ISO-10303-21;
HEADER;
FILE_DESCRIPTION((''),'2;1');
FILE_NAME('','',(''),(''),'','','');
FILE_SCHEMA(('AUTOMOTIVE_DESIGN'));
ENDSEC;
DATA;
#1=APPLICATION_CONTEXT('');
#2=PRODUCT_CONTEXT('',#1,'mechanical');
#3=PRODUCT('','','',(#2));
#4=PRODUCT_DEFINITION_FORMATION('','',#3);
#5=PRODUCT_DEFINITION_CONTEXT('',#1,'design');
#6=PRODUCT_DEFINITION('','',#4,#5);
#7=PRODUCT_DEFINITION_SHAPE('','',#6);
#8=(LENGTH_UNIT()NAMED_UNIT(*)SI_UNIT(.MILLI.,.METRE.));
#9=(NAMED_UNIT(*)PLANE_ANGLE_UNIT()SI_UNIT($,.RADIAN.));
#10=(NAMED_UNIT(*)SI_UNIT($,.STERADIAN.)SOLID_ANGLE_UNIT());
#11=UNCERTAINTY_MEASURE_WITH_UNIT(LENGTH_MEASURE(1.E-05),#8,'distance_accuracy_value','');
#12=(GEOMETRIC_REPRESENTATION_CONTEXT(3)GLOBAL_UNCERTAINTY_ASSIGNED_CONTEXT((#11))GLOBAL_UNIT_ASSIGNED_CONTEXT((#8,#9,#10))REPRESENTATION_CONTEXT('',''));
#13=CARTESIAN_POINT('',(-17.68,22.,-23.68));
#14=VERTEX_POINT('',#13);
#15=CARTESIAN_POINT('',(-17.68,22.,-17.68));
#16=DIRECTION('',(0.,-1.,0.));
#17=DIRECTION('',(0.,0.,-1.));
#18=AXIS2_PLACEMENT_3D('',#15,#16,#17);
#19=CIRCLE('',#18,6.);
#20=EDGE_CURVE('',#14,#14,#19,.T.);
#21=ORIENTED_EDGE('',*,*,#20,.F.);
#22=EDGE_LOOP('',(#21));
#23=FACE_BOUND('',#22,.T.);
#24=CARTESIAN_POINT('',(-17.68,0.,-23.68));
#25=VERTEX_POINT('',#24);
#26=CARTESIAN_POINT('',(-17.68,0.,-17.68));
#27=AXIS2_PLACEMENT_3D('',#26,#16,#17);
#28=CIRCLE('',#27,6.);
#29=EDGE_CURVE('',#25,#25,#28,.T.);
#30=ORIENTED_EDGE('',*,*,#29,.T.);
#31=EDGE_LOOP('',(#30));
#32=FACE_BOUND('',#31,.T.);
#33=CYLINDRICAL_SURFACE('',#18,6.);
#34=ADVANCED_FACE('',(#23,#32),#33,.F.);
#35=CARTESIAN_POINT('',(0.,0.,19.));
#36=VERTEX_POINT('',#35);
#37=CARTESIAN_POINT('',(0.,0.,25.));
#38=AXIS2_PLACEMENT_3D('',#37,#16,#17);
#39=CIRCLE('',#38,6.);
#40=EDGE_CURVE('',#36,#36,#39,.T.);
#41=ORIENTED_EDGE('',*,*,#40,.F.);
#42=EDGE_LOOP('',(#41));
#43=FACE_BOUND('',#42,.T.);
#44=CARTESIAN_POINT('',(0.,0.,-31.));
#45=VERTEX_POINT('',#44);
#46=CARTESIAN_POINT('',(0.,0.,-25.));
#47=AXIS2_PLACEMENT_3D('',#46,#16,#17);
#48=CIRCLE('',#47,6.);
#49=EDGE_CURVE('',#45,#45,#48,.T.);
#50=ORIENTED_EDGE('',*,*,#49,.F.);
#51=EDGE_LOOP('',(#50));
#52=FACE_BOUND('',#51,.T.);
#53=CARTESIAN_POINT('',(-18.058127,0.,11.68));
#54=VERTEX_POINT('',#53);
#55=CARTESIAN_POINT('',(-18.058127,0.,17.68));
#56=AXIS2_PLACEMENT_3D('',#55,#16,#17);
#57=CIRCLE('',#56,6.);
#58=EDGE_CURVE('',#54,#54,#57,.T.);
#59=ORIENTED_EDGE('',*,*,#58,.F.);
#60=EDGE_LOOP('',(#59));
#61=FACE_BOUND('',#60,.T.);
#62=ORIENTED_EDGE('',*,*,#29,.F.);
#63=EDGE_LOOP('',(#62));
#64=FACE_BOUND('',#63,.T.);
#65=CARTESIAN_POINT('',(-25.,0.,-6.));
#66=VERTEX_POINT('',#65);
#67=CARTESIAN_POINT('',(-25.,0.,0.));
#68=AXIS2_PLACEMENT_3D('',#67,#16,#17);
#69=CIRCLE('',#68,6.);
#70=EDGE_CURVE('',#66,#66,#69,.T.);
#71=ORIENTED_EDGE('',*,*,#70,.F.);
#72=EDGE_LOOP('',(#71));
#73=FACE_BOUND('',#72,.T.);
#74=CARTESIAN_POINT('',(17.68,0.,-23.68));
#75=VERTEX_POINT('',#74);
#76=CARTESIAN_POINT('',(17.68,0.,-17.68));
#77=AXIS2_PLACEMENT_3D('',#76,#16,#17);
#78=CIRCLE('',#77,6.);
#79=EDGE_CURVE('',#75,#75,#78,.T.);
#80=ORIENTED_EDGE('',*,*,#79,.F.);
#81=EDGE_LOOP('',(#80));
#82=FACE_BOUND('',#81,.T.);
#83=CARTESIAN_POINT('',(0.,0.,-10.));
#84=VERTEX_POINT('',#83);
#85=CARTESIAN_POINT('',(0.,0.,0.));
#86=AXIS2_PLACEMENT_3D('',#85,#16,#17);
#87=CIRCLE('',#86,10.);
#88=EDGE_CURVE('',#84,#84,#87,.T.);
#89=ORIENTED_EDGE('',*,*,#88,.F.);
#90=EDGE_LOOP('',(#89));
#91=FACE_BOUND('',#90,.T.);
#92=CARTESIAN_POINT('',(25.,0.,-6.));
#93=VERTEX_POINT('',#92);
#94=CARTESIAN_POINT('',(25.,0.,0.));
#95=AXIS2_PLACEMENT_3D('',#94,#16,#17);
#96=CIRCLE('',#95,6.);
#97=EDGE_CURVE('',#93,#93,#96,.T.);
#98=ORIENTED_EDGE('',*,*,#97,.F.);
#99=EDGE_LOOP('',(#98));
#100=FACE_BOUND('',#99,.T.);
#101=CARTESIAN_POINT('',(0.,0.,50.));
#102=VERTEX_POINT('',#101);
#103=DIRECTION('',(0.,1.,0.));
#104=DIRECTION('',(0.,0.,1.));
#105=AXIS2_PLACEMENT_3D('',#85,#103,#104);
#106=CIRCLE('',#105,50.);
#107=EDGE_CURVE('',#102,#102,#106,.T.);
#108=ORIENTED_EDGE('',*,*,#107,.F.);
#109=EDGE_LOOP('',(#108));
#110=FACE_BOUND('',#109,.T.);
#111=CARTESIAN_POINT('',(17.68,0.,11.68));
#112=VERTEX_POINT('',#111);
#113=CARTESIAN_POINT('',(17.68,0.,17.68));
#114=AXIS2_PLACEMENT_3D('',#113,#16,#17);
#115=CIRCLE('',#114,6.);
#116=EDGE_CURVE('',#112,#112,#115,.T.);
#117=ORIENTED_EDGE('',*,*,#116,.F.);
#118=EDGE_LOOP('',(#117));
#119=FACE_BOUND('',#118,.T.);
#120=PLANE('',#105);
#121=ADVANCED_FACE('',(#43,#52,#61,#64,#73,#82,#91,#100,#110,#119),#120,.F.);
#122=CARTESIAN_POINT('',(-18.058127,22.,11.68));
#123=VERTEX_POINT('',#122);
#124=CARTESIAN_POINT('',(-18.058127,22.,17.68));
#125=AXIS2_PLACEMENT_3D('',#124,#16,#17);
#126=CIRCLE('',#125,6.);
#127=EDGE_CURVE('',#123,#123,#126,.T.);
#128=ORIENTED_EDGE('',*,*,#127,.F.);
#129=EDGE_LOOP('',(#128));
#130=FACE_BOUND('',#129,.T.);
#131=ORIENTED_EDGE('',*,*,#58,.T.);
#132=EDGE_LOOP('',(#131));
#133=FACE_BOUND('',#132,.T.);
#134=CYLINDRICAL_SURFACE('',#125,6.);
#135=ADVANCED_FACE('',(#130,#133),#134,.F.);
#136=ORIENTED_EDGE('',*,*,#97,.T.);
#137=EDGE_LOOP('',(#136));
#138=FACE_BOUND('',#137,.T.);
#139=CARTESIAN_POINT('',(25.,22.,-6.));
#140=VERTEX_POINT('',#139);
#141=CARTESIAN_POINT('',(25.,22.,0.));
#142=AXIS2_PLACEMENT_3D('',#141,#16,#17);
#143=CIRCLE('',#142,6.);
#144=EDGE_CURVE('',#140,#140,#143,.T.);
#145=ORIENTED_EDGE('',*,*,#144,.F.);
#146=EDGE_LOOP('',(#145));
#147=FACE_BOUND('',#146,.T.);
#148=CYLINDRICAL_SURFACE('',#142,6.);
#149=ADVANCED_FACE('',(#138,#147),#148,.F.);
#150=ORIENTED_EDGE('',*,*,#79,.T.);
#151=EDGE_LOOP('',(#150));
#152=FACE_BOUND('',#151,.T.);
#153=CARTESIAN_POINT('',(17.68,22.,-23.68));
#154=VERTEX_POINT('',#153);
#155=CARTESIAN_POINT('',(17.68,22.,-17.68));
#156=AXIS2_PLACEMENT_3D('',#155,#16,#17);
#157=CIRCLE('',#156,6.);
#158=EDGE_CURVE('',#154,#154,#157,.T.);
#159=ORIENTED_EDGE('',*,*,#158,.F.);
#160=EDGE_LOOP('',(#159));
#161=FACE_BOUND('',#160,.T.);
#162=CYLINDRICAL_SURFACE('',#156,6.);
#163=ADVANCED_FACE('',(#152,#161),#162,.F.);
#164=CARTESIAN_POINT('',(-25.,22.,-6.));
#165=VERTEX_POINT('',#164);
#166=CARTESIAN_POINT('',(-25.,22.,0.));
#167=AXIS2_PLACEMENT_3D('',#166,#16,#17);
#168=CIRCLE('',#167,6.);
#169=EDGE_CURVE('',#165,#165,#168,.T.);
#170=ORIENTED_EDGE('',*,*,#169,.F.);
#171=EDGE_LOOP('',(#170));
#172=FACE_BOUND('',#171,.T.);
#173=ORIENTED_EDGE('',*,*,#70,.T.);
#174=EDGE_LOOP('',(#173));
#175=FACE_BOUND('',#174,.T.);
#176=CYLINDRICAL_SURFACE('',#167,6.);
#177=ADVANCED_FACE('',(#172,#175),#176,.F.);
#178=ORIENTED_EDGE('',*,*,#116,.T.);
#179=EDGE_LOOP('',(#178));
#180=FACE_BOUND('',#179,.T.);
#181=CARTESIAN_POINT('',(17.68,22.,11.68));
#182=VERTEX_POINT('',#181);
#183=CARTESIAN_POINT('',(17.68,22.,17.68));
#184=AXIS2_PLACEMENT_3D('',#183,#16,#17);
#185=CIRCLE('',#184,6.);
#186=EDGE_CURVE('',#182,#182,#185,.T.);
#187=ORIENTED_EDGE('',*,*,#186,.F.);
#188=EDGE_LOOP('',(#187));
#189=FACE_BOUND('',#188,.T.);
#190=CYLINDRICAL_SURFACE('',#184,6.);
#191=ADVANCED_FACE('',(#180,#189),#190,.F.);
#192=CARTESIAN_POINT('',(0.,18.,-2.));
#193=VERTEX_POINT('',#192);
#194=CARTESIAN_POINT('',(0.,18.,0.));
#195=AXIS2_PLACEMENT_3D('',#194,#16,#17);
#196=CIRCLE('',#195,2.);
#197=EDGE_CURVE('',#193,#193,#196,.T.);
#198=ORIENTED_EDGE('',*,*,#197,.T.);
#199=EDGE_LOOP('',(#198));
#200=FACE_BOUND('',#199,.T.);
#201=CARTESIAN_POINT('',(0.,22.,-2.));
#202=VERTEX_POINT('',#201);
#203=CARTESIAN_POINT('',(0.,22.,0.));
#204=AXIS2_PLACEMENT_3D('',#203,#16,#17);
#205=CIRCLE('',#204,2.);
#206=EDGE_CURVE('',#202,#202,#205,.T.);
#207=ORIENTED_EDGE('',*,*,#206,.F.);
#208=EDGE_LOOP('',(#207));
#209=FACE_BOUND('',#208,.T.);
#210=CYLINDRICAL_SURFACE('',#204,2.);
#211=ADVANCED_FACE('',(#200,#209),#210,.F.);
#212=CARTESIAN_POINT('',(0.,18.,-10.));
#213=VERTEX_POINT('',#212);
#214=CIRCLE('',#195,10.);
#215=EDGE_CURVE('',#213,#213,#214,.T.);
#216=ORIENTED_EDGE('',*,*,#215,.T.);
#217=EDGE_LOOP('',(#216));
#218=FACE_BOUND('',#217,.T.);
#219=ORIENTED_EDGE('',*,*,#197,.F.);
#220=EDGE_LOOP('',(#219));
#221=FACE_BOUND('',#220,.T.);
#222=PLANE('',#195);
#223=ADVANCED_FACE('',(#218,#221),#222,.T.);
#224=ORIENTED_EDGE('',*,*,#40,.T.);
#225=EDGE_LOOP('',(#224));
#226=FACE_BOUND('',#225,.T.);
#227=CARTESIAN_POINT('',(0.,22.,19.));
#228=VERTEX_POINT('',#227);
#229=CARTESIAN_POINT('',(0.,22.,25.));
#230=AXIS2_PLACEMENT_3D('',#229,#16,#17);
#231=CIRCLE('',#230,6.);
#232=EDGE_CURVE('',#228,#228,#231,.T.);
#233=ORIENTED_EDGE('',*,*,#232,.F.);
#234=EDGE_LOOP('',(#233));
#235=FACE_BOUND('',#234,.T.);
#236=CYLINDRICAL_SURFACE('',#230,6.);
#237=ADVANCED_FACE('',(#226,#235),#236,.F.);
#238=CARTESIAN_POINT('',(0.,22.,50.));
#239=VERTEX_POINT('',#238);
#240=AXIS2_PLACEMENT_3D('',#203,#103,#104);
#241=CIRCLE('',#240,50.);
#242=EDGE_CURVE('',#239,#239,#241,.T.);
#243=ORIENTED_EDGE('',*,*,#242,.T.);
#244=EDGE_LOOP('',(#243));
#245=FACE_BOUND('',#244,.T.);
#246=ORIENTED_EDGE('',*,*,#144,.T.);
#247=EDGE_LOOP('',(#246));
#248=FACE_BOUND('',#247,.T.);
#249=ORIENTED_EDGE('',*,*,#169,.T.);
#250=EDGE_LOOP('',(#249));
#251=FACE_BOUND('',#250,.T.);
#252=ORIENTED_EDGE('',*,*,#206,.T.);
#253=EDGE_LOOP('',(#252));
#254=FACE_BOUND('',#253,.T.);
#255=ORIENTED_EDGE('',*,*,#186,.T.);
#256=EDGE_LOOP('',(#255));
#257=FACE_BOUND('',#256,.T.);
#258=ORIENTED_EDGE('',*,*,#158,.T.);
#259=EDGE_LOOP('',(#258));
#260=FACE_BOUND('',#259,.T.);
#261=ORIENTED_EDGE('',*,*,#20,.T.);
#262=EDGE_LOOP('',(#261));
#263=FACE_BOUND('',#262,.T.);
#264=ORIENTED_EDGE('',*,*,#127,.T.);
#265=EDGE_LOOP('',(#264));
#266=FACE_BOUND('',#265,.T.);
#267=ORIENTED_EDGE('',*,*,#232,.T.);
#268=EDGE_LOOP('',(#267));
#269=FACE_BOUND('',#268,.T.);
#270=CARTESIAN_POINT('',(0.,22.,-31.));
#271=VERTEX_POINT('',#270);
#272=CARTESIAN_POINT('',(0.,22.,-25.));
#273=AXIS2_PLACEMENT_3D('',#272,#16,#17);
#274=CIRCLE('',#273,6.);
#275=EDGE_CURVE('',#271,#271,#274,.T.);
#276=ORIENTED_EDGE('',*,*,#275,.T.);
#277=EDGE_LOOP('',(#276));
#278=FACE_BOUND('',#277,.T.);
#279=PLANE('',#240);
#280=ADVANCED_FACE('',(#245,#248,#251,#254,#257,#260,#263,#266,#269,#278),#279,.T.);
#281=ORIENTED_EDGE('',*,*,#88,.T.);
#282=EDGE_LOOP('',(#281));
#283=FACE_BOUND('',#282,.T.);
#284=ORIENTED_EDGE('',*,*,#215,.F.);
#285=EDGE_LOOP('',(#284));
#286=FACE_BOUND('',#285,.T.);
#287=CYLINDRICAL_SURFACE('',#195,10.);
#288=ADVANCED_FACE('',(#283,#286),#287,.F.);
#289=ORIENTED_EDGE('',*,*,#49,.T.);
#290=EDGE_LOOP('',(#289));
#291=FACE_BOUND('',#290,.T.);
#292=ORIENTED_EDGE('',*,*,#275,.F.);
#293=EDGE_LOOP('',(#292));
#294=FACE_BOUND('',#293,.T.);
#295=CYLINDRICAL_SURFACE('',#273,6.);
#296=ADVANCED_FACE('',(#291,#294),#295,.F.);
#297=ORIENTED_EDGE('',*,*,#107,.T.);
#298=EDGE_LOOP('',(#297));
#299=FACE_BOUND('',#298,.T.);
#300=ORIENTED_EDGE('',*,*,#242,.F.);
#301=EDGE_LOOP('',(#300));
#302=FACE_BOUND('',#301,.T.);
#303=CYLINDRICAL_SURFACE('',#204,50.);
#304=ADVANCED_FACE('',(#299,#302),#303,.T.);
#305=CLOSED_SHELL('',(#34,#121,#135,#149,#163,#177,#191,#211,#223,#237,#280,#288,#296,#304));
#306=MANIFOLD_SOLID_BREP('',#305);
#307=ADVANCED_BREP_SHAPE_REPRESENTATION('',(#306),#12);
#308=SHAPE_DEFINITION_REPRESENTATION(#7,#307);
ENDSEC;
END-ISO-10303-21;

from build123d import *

# Parameters (mm, degrees)
ESQUISSE1_R              = 50
BOSS_EXTRU_1_DEPTH       = 22
ESQUISSE5_R              = 6
ENL_V_MAT_EXTRU_6_DEPTH  = 22
ESQUISSE7_R              = 6
ENL_V_MAT_EXTRU_7_DEPTH  = 22
ESQUISSE8_R              = 6
ENL_V_MAT_EXTRU_8_DEPTH  = 22
ESQUISSE9_R              = 6
ENL_V_MAT_EXTRU_9_DEPTH  = 22
ESQUISSE10_R             = 6
ENL_V_MAT_EXTRU_10_DEPTH = 22
ESQUISSE11_R             = 6
ENL_V_MAT_EXTRU_11_DEPTH = 22
ESQUISSE12_R             = 6
ENL_V_MAT_EXTRU_12_DEPTH = 22
ESQUISSE13_R             = 6
ENL_V_MAT_EXTRU_13_DEPTH = 22
ESQUISSE14_R             = 10
ENL_V_MAT_EXTRU_15_DEPTH = 18
ESQUISSE15_R             = 2
ENL_V_MAT_EXTRU_16_DEPTH = 4


with BuildPart() as part:
    # Esquisse1 → Boss.-Extru.1 (new body)
    with BuildSketch(Plane(origin=(0, 0, 0), x_dir=(1, 0, 0), z_dir=(0, 1, 0))):
        with Locations(Location((0, 0, 0), (0, 0, 270))):
            Circle(ESQUISSE1_R)
    extrude(amount=BOSS_EXTRU_1_DEPTH)

    # Esquisse5 → Enlèv. mat.-Extru.6 (cut)
    with BuildSketch(Plane(origin=(0, 0, 0), x_dir=(-1, 0, 0), z_dir=(0, -1, 0))):
        with Locations(Location((-17.68, 17.68, 0), (0, 0, 90))):
            Circle(ESQUISSE5_R)
    extrude(amount=-ENL_V_MAT_EXTRU_6_DEPTH, mode=Mode.SUBTRACT)

    # Esquisse7 → Enlèv. mat.-Extru.7 (cut)
    with BuildSketch(Plane(origin=(0, 0, 0), x_dir=(-1, 0, 0), z_dir=(0, -1, 0))):
        with Locations(Location((18.058126749, -17.68, 0), (0, 0, 90))):
            Circle(ESQUISSE7_R)
    extrude(amount=-ENL_V_MAT_EXTRU_7_DEPTH, mode=Mode.SUBTRACT)

    # Esquisse8 → Enlèv. mat.-Extru.8 (cut)
    with BuildSketch(Plane(origin=(0, 0, 0), x_dir=(-1, 0, 0), z_dir=(0, -1, 0))):
        with Locations(Location((17.68, 17.68, 0), (0, 0, 90))):
            Circle(ESQUISSE8_R)
    extrude(amount=-ENL_V_MAT_EXTRU_8_DEPTH, mode=Mode.SUBTRACT)

    # Esquisse9 → Enlèv. mat.-Extru.9 (cut)
    with BuildSketch(Plane(origin=(0, 0, 0), x_dir=(-1, 0, 0), z_dir=(0, -1, 0))):
        with Locations(Location((-17.68, -17.68, 0), (0, 0, 90))):
            Circle(ESQUISSE9_R)
    extrude(amount=-ENL_V_MAT_EXTRU_9_DEPTH, mode=Mode.SUBTRACT)

    # Esquisse10 → Enlèv. mat.-Extru.10 (cut)
    with BuildSketch(Plane.XZ):
        with Locations(Location((0, 25, 0), (0, 0, 270))):
            Circle(ESQUISSE10_R)
    extrude(amount=-ENL_V_MAT_EXTRU_10_DEPTH, mode=Mode.SUBTRACT)

    # Esquisse11 → Enlèv. mat.-Extru.11 (cut)
    with BuildSketch(Plane(origin=(0, 0, 0), x_dir=(-1, 0, 0), z_dir=(0, -1, 0))):
        with Locations(Location((25, 0, 0), (0, 0, 90))):
            Circle(ESQUISSE11_R)
    extrude(amount=-ENL_V_MAT_EXTRU_11_DEPTH, mode=Mode.SUBTRACT)

    # Esquisse12 → Enlèv. mat.-Extru.12 (cut)
    with BuildSketch(Plane(origin=(0, 0, 0), x_dir=(-1, 0, 0), z_dir=(0, -1, 0))):
        with Locations(Location((-25, 0, 0), (0, 0, 90))):
            Circle(ESQUISSE12_R)
    extrude(amount=-ENL_V_MAT_EXTRU_12_DEPTH, mode=Mode.SUBTRACT)

    # Esquisse13 → Enlèv. mat.-Extru.13 (cut)
    with BuildSketch(Plane(origin=(0, 0, 0), x_dir=(-1, 0, 0), z_dir=(0, -1, 0))):
        with Locations(Location((0, 25, 0), (0, 0, 90))):
            Circle(ESQUISSE13_R)
    extrude(amount=-ENL_V_MAT_EXTRU_13_DEPTH, mode=Mode.SUBTRACT)

    # Esquisse14 → Enlèv. mat.-Extru.15 (cut)
    with BuildSketch(Plane(origin=(0, 0, 0), x_dir=(-1, 0, 0), z_dir=(0, -1, 0))):
        with Locations(Location((0, 0, 0), (0, 0, 90))):
            Circle(ESQUISSE14_R)
    extrude(amount=-ENL_V_MAT_EXTRU_15_DEPTH, mode=Mode.SUBTRACT)

    # Esquisse15 → Enlèv. mat.-Extru.16 (cut)
    with BuildSketch(Plane(origin=(0, 18, 0), x_dir=(-1, 0, 0), z_dir=(0, -1, 0))):
        with Locations(Location((0, 0, 0), (0, 0, 90))):
            Circle(ESQUISSE15_R)
    extrude(amount=-ENL_V_MAT_EXTRU_16_DEPTH, mode=Mode.SUBTRACT)


solid = part.part
